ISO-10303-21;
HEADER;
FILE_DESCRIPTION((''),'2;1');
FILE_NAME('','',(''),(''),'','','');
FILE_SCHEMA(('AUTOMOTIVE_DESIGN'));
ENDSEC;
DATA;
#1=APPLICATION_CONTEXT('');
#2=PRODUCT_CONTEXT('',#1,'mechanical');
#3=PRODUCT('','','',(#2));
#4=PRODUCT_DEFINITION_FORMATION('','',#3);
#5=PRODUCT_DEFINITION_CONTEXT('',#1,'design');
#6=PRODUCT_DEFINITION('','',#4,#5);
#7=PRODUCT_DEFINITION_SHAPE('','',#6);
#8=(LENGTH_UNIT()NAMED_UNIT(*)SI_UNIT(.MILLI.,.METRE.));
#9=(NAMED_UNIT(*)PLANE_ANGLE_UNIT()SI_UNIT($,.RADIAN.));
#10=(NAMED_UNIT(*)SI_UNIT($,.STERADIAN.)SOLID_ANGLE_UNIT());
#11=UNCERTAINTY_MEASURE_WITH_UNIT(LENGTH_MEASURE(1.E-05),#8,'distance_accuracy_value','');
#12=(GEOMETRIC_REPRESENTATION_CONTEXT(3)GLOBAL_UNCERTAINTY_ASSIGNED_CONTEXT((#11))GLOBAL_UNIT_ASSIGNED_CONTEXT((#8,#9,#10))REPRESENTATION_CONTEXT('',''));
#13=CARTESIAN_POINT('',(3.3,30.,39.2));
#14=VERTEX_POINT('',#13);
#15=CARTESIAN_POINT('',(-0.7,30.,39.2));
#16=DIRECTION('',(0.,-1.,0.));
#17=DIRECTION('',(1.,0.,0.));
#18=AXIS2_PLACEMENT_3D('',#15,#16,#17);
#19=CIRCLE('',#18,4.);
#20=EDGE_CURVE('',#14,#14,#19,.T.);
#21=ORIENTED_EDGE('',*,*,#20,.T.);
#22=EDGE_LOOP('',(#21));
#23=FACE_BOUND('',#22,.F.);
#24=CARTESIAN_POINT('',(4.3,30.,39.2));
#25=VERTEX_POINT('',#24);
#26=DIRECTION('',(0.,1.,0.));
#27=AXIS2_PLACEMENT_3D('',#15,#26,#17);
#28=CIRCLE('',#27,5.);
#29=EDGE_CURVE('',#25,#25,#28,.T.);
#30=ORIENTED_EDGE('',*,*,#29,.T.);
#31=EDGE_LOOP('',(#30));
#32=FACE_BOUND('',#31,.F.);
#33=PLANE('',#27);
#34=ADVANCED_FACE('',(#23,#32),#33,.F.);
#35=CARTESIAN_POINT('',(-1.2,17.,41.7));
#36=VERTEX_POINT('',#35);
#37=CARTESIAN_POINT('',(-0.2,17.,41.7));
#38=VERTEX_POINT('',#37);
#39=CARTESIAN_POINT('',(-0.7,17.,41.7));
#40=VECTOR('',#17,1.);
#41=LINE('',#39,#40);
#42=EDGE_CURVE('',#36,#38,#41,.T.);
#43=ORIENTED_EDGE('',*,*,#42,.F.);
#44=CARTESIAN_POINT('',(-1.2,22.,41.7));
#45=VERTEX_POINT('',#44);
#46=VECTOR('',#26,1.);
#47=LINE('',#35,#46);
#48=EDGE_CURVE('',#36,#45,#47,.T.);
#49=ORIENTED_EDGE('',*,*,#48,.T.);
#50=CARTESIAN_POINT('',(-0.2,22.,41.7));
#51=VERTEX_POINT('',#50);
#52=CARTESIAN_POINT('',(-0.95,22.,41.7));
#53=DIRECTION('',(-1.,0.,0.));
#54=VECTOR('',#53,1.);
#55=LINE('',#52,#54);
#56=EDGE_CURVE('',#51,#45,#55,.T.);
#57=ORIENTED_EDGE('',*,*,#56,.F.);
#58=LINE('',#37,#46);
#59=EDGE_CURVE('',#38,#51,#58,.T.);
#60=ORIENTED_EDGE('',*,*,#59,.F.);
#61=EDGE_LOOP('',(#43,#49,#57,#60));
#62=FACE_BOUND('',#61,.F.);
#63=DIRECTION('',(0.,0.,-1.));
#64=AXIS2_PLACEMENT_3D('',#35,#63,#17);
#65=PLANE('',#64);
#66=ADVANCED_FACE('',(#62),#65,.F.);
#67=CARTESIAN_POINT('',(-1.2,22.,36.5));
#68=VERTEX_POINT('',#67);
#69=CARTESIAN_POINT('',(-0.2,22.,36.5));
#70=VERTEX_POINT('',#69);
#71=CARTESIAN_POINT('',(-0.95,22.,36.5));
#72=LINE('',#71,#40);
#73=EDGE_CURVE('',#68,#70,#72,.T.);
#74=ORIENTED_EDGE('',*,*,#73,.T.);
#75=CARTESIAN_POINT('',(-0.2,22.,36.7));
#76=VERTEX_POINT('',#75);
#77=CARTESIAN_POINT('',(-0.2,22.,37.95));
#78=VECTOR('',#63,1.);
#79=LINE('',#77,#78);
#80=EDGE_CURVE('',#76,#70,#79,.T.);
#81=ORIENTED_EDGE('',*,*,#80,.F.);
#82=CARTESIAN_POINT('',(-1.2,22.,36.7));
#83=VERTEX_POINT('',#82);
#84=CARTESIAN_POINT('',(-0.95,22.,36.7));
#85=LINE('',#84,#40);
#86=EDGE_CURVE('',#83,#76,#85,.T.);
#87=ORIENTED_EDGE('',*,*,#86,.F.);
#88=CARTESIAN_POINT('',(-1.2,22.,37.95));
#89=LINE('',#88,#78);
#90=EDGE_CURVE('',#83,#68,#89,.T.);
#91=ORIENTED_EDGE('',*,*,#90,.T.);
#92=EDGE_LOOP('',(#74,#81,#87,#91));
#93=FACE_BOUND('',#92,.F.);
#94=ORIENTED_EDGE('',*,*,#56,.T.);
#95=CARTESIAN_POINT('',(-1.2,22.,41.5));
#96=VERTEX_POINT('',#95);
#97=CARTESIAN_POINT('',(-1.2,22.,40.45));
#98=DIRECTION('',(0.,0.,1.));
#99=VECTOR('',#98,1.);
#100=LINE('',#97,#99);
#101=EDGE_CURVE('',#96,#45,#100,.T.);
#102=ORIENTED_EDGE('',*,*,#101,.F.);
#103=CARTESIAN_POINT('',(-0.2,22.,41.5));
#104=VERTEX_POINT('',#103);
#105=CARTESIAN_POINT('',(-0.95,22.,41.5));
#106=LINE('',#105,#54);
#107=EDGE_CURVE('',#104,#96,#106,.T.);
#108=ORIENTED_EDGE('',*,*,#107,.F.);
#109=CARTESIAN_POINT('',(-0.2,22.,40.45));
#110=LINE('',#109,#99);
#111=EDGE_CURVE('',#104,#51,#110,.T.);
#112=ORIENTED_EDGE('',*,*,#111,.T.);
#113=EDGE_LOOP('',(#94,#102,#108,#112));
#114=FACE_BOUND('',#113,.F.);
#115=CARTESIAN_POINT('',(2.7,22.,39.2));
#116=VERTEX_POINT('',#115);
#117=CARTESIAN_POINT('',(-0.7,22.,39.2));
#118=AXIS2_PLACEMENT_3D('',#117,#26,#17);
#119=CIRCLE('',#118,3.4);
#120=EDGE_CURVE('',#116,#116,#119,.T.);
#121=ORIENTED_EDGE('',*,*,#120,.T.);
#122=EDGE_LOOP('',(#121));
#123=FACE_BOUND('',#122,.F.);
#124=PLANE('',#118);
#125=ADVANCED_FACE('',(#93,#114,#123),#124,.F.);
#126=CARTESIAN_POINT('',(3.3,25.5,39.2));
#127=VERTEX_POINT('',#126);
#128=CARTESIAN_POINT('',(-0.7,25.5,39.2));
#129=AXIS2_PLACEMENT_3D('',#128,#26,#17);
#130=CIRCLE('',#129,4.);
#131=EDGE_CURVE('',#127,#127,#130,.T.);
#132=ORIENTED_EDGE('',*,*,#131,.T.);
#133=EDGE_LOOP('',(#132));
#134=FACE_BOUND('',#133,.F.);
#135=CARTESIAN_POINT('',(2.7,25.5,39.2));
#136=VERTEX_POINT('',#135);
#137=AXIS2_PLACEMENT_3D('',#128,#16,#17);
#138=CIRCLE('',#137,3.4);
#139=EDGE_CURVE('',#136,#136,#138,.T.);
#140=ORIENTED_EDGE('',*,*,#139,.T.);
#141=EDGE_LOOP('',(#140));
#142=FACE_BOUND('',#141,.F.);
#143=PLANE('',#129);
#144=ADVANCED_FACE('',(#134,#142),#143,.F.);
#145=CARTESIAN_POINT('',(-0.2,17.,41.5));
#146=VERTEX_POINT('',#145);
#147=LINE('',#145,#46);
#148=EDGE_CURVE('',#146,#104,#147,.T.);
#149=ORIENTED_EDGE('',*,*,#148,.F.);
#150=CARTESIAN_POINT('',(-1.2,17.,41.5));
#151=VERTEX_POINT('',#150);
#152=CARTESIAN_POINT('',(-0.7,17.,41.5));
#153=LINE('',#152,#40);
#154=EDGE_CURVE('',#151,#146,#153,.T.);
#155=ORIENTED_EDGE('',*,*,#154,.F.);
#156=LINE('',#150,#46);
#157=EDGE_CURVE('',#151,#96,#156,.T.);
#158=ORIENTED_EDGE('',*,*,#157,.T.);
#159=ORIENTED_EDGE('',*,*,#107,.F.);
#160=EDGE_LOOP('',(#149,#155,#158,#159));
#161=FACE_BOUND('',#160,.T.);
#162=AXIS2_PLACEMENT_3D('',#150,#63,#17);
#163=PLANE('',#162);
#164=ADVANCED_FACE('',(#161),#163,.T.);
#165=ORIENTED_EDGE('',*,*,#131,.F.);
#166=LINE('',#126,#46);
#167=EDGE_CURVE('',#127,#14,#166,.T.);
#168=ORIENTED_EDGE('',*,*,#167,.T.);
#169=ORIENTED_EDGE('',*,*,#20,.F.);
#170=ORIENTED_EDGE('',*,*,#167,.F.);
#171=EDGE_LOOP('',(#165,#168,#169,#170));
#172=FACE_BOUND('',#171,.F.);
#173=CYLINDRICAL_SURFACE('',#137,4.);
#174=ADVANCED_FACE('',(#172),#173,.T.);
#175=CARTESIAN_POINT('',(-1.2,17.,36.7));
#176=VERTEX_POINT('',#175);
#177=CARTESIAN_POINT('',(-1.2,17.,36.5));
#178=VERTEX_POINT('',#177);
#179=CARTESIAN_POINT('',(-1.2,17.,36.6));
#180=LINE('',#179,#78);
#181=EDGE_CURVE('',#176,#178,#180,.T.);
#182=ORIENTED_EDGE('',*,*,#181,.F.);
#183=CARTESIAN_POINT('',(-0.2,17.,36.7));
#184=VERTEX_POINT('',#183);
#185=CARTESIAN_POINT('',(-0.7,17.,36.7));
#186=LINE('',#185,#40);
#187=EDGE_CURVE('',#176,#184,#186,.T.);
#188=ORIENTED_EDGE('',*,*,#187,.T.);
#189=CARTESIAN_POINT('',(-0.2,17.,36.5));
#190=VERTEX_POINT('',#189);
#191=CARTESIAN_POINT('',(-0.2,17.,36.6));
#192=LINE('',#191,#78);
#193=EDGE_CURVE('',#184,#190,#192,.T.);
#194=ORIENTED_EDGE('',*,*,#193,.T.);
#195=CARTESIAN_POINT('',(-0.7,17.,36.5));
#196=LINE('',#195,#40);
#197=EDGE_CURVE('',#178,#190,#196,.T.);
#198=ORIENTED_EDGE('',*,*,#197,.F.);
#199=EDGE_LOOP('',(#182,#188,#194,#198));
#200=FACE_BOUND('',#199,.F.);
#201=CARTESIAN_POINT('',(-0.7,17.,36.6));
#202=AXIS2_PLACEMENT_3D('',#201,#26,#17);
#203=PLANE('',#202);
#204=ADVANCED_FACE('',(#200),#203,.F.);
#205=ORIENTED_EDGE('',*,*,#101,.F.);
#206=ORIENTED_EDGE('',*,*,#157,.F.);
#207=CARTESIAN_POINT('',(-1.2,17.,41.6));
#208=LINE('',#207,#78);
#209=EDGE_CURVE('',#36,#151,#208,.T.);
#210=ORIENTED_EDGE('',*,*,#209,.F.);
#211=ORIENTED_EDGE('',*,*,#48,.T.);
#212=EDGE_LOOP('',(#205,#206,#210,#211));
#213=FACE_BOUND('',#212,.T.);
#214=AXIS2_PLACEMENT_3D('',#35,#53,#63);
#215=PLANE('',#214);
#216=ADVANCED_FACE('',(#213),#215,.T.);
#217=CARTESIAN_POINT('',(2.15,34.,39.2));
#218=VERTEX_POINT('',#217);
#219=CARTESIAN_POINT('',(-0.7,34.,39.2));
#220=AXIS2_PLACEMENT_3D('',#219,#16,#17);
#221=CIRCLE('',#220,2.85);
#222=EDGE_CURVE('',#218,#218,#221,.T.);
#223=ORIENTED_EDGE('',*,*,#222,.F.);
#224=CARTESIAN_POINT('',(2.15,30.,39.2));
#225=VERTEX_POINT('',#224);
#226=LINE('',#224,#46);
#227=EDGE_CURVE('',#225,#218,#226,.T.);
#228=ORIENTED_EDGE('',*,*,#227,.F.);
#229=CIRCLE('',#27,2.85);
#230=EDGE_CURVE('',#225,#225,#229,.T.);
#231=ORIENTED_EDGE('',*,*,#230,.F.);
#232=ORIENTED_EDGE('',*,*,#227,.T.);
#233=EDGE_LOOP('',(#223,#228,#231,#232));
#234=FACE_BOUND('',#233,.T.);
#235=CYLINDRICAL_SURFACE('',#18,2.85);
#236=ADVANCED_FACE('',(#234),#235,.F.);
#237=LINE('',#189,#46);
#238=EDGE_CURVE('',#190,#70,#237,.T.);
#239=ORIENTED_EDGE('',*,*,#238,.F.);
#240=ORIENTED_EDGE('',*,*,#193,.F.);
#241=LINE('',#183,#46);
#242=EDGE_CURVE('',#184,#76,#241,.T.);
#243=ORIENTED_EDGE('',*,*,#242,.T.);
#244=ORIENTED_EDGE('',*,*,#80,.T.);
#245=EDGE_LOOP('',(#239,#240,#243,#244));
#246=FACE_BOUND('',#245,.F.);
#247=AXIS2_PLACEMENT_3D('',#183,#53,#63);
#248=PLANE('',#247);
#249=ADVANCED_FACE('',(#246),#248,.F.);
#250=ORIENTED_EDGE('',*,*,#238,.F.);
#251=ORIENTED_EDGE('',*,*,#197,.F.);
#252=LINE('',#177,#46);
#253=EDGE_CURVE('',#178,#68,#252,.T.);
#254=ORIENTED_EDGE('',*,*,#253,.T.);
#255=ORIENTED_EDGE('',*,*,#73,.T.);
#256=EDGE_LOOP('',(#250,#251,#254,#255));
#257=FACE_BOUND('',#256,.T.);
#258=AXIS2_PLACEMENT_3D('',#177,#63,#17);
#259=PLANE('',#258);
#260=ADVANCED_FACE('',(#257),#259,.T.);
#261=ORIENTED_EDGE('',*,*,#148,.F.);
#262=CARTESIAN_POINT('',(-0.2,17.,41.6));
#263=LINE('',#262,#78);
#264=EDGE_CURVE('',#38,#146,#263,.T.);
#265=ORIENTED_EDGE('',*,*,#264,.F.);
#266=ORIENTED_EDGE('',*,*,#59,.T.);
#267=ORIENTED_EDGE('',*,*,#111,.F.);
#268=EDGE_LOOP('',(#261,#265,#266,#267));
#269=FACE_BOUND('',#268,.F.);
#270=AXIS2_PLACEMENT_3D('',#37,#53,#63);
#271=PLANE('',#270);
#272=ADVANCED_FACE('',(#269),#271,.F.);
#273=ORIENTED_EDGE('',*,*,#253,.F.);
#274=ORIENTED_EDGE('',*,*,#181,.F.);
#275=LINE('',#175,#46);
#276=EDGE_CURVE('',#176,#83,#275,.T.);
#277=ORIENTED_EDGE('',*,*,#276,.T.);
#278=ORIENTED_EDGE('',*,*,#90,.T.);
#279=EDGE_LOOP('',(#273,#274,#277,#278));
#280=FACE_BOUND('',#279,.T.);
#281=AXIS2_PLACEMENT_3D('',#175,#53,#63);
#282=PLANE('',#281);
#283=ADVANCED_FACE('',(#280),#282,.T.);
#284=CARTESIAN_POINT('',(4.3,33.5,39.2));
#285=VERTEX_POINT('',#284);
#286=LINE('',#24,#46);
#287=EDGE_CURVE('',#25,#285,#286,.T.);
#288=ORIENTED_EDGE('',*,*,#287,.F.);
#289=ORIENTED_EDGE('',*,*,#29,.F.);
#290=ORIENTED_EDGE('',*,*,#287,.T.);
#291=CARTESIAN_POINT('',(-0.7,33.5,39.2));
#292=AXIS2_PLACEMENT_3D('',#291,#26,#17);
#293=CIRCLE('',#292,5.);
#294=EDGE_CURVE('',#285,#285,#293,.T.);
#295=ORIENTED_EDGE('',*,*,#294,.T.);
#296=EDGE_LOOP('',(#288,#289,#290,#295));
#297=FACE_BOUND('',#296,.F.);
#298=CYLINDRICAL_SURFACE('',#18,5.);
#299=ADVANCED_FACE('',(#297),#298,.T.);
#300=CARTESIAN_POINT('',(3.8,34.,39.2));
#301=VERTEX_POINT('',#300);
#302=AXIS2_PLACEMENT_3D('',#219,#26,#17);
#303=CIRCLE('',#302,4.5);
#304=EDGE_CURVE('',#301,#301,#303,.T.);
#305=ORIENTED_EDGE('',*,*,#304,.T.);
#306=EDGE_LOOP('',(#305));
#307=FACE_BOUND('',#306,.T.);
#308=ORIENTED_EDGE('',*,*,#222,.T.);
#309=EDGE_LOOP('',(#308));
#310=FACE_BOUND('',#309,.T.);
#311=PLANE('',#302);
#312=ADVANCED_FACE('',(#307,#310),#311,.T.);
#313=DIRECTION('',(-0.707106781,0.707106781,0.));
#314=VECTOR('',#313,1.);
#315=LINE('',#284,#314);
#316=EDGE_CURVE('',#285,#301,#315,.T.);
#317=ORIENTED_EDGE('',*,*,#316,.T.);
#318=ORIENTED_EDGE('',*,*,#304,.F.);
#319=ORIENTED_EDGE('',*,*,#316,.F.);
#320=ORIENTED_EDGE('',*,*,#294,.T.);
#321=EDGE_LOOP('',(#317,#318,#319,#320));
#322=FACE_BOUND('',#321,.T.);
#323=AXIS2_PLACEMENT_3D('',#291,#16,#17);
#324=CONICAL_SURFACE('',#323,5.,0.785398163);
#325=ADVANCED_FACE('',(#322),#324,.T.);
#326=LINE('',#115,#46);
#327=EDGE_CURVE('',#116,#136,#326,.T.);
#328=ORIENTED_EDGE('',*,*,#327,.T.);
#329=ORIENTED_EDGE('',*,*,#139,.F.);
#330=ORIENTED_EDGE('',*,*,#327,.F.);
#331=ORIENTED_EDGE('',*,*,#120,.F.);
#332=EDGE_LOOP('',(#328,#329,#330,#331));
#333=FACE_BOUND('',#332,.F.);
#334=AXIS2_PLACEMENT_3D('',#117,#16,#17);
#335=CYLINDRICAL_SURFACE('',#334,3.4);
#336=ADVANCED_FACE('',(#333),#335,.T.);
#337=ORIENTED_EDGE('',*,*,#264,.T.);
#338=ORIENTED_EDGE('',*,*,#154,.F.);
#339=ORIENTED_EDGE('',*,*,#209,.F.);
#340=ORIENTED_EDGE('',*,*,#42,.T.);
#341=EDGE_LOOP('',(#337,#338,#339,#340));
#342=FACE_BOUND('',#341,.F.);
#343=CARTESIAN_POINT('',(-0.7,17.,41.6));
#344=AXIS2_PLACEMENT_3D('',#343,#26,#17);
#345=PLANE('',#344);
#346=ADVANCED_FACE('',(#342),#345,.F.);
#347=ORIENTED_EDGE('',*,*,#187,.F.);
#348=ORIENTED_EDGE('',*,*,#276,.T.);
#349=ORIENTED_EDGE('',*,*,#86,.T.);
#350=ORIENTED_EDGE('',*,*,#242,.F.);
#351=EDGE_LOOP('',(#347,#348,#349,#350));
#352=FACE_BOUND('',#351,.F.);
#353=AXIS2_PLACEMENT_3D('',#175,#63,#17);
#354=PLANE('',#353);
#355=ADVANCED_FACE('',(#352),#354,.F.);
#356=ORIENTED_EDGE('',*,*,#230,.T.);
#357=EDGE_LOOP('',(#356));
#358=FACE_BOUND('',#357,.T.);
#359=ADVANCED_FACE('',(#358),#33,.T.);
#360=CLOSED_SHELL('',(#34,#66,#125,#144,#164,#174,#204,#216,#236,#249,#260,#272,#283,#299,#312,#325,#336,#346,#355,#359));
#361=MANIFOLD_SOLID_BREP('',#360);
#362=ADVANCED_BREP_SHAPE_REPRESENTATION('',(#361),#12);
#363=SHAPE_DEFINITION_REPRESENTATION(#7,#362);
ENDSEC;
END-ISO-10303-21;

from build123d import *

# Parameters (mm, degrees)
CYLINDER003003_R     = 2.85
CYLINDER003003_DEPTH = 10
BOX001001004_W       = 1
BOX001001004_H       = 0.2
BOX001001004_DEPTH   = 5.1
CYLINDER002007_R     = 3.4
CYLINDER002007_DEPTH = 8.5
BOX001001005_W       = 1
BOX001001005_H       = 0.2
BOX001001005_DEPTH   = 5.1
CYLINDER004009_R     = 5
CYLINDER004009_DEPTH = 4
CHAMFER008_SIZE      = 0.5
CYLINDER001006_R     = 4
CYLINDER001006_DEPTH = 4.6
CUT003009_ROLL_ANGLE = -90


with BuildPart() as hole001:
    # Cylinder003003 → Cylinder003003 (new body)
    with BuildSketch(Plane.XY):
        Circle(CYLINDER003003_R)
    extrude(amount=CYLINDER003003_DEPTH)


with BuildPart() as contact003:
    # Box001001004 → Box001001004 (new body)
    with BuildSketch(Plane(origin=(-0.5, 2.5, -13), x_dir=(1, 0, 0), z_dir=(0, 0, 1))):
        with Locations((0.5, 0.1)):
            Rectangle(BOX001001004_W, BOX001001004_H)
    extrude(amount=BOX001001004_DEPTH)


with BuildPart() as cylinder002007:
    # Cylinder002007 → Cylinder002007 (new body)
    with BuildSketch(Plane.XY.offset(-8)):
        Circle(CYLINDER002007_R)
    extrude(amount=CYLINDER002007_DEPTH)


with BuildPart() as contact004:
    # Box001001005 → Box001001005 (new body)
    with BuildSketch(Plane(origin=(-0.5, -2.5, -13), x_dir=(1, 0, 0), z_dir=(0, 0, 1))):
        with Locations((0.5, 0.1)):
            Rectangle(BOX001001005_W, BOX001001005_H)
    extrude(amount=BOX001001005_DEPTH)


with BuildPart() as chamfer008:
    # Cylinder004009 → Cylinder004009 (new body)
    with BuildSketch(Plane.XY):
        Circle(CYLINDER004009_R)
    extrude(amount=CYLINDER004009_DEPTH)

    # Chamfer008
    chamfer008_edges = [chamfer008.edges().sort_by_distance(p)[0] for p in [
        (-5, 0, 4),
    ]]
    chamfer(chamfer008_edges, length=CHAMFER008_SIZE)


with BuildPart() as powerconnector:
    # Cylinder001006 → Cylinder001006 (new body)
    with BuildSketch(Plane.XY.offset(-4.5)):
        Circle(CYLINDER001006_R)
    extrude(amount=CYLINDER001006_DEPTH)

    # Fusion005: union contact003, Cylinder002007, contact004, Chamfer008
    add(contact003.part)
    add(cylinder002007.part)
    add(contact004.part)
    add(chamfer008.part)

    # Cut003009: cut hole001
    add(hole001.part, mode=Mode.SUBTRACT)


with BuildPart() as powerconnector_1:
    # Cut003009 roll: moved
    add(powerconnector.part.rotate(Axis((0, 0, 0), (1, 0, 0)), CUT003009_ROLL_ANGLE))


with BuildPart() as powerconnector_2:
    # Cut003009 placement: moved
    add(powerconnector_1.part.moved(Location((-0.7, 30, 39.2))))


solid = powerconnector_2.part
